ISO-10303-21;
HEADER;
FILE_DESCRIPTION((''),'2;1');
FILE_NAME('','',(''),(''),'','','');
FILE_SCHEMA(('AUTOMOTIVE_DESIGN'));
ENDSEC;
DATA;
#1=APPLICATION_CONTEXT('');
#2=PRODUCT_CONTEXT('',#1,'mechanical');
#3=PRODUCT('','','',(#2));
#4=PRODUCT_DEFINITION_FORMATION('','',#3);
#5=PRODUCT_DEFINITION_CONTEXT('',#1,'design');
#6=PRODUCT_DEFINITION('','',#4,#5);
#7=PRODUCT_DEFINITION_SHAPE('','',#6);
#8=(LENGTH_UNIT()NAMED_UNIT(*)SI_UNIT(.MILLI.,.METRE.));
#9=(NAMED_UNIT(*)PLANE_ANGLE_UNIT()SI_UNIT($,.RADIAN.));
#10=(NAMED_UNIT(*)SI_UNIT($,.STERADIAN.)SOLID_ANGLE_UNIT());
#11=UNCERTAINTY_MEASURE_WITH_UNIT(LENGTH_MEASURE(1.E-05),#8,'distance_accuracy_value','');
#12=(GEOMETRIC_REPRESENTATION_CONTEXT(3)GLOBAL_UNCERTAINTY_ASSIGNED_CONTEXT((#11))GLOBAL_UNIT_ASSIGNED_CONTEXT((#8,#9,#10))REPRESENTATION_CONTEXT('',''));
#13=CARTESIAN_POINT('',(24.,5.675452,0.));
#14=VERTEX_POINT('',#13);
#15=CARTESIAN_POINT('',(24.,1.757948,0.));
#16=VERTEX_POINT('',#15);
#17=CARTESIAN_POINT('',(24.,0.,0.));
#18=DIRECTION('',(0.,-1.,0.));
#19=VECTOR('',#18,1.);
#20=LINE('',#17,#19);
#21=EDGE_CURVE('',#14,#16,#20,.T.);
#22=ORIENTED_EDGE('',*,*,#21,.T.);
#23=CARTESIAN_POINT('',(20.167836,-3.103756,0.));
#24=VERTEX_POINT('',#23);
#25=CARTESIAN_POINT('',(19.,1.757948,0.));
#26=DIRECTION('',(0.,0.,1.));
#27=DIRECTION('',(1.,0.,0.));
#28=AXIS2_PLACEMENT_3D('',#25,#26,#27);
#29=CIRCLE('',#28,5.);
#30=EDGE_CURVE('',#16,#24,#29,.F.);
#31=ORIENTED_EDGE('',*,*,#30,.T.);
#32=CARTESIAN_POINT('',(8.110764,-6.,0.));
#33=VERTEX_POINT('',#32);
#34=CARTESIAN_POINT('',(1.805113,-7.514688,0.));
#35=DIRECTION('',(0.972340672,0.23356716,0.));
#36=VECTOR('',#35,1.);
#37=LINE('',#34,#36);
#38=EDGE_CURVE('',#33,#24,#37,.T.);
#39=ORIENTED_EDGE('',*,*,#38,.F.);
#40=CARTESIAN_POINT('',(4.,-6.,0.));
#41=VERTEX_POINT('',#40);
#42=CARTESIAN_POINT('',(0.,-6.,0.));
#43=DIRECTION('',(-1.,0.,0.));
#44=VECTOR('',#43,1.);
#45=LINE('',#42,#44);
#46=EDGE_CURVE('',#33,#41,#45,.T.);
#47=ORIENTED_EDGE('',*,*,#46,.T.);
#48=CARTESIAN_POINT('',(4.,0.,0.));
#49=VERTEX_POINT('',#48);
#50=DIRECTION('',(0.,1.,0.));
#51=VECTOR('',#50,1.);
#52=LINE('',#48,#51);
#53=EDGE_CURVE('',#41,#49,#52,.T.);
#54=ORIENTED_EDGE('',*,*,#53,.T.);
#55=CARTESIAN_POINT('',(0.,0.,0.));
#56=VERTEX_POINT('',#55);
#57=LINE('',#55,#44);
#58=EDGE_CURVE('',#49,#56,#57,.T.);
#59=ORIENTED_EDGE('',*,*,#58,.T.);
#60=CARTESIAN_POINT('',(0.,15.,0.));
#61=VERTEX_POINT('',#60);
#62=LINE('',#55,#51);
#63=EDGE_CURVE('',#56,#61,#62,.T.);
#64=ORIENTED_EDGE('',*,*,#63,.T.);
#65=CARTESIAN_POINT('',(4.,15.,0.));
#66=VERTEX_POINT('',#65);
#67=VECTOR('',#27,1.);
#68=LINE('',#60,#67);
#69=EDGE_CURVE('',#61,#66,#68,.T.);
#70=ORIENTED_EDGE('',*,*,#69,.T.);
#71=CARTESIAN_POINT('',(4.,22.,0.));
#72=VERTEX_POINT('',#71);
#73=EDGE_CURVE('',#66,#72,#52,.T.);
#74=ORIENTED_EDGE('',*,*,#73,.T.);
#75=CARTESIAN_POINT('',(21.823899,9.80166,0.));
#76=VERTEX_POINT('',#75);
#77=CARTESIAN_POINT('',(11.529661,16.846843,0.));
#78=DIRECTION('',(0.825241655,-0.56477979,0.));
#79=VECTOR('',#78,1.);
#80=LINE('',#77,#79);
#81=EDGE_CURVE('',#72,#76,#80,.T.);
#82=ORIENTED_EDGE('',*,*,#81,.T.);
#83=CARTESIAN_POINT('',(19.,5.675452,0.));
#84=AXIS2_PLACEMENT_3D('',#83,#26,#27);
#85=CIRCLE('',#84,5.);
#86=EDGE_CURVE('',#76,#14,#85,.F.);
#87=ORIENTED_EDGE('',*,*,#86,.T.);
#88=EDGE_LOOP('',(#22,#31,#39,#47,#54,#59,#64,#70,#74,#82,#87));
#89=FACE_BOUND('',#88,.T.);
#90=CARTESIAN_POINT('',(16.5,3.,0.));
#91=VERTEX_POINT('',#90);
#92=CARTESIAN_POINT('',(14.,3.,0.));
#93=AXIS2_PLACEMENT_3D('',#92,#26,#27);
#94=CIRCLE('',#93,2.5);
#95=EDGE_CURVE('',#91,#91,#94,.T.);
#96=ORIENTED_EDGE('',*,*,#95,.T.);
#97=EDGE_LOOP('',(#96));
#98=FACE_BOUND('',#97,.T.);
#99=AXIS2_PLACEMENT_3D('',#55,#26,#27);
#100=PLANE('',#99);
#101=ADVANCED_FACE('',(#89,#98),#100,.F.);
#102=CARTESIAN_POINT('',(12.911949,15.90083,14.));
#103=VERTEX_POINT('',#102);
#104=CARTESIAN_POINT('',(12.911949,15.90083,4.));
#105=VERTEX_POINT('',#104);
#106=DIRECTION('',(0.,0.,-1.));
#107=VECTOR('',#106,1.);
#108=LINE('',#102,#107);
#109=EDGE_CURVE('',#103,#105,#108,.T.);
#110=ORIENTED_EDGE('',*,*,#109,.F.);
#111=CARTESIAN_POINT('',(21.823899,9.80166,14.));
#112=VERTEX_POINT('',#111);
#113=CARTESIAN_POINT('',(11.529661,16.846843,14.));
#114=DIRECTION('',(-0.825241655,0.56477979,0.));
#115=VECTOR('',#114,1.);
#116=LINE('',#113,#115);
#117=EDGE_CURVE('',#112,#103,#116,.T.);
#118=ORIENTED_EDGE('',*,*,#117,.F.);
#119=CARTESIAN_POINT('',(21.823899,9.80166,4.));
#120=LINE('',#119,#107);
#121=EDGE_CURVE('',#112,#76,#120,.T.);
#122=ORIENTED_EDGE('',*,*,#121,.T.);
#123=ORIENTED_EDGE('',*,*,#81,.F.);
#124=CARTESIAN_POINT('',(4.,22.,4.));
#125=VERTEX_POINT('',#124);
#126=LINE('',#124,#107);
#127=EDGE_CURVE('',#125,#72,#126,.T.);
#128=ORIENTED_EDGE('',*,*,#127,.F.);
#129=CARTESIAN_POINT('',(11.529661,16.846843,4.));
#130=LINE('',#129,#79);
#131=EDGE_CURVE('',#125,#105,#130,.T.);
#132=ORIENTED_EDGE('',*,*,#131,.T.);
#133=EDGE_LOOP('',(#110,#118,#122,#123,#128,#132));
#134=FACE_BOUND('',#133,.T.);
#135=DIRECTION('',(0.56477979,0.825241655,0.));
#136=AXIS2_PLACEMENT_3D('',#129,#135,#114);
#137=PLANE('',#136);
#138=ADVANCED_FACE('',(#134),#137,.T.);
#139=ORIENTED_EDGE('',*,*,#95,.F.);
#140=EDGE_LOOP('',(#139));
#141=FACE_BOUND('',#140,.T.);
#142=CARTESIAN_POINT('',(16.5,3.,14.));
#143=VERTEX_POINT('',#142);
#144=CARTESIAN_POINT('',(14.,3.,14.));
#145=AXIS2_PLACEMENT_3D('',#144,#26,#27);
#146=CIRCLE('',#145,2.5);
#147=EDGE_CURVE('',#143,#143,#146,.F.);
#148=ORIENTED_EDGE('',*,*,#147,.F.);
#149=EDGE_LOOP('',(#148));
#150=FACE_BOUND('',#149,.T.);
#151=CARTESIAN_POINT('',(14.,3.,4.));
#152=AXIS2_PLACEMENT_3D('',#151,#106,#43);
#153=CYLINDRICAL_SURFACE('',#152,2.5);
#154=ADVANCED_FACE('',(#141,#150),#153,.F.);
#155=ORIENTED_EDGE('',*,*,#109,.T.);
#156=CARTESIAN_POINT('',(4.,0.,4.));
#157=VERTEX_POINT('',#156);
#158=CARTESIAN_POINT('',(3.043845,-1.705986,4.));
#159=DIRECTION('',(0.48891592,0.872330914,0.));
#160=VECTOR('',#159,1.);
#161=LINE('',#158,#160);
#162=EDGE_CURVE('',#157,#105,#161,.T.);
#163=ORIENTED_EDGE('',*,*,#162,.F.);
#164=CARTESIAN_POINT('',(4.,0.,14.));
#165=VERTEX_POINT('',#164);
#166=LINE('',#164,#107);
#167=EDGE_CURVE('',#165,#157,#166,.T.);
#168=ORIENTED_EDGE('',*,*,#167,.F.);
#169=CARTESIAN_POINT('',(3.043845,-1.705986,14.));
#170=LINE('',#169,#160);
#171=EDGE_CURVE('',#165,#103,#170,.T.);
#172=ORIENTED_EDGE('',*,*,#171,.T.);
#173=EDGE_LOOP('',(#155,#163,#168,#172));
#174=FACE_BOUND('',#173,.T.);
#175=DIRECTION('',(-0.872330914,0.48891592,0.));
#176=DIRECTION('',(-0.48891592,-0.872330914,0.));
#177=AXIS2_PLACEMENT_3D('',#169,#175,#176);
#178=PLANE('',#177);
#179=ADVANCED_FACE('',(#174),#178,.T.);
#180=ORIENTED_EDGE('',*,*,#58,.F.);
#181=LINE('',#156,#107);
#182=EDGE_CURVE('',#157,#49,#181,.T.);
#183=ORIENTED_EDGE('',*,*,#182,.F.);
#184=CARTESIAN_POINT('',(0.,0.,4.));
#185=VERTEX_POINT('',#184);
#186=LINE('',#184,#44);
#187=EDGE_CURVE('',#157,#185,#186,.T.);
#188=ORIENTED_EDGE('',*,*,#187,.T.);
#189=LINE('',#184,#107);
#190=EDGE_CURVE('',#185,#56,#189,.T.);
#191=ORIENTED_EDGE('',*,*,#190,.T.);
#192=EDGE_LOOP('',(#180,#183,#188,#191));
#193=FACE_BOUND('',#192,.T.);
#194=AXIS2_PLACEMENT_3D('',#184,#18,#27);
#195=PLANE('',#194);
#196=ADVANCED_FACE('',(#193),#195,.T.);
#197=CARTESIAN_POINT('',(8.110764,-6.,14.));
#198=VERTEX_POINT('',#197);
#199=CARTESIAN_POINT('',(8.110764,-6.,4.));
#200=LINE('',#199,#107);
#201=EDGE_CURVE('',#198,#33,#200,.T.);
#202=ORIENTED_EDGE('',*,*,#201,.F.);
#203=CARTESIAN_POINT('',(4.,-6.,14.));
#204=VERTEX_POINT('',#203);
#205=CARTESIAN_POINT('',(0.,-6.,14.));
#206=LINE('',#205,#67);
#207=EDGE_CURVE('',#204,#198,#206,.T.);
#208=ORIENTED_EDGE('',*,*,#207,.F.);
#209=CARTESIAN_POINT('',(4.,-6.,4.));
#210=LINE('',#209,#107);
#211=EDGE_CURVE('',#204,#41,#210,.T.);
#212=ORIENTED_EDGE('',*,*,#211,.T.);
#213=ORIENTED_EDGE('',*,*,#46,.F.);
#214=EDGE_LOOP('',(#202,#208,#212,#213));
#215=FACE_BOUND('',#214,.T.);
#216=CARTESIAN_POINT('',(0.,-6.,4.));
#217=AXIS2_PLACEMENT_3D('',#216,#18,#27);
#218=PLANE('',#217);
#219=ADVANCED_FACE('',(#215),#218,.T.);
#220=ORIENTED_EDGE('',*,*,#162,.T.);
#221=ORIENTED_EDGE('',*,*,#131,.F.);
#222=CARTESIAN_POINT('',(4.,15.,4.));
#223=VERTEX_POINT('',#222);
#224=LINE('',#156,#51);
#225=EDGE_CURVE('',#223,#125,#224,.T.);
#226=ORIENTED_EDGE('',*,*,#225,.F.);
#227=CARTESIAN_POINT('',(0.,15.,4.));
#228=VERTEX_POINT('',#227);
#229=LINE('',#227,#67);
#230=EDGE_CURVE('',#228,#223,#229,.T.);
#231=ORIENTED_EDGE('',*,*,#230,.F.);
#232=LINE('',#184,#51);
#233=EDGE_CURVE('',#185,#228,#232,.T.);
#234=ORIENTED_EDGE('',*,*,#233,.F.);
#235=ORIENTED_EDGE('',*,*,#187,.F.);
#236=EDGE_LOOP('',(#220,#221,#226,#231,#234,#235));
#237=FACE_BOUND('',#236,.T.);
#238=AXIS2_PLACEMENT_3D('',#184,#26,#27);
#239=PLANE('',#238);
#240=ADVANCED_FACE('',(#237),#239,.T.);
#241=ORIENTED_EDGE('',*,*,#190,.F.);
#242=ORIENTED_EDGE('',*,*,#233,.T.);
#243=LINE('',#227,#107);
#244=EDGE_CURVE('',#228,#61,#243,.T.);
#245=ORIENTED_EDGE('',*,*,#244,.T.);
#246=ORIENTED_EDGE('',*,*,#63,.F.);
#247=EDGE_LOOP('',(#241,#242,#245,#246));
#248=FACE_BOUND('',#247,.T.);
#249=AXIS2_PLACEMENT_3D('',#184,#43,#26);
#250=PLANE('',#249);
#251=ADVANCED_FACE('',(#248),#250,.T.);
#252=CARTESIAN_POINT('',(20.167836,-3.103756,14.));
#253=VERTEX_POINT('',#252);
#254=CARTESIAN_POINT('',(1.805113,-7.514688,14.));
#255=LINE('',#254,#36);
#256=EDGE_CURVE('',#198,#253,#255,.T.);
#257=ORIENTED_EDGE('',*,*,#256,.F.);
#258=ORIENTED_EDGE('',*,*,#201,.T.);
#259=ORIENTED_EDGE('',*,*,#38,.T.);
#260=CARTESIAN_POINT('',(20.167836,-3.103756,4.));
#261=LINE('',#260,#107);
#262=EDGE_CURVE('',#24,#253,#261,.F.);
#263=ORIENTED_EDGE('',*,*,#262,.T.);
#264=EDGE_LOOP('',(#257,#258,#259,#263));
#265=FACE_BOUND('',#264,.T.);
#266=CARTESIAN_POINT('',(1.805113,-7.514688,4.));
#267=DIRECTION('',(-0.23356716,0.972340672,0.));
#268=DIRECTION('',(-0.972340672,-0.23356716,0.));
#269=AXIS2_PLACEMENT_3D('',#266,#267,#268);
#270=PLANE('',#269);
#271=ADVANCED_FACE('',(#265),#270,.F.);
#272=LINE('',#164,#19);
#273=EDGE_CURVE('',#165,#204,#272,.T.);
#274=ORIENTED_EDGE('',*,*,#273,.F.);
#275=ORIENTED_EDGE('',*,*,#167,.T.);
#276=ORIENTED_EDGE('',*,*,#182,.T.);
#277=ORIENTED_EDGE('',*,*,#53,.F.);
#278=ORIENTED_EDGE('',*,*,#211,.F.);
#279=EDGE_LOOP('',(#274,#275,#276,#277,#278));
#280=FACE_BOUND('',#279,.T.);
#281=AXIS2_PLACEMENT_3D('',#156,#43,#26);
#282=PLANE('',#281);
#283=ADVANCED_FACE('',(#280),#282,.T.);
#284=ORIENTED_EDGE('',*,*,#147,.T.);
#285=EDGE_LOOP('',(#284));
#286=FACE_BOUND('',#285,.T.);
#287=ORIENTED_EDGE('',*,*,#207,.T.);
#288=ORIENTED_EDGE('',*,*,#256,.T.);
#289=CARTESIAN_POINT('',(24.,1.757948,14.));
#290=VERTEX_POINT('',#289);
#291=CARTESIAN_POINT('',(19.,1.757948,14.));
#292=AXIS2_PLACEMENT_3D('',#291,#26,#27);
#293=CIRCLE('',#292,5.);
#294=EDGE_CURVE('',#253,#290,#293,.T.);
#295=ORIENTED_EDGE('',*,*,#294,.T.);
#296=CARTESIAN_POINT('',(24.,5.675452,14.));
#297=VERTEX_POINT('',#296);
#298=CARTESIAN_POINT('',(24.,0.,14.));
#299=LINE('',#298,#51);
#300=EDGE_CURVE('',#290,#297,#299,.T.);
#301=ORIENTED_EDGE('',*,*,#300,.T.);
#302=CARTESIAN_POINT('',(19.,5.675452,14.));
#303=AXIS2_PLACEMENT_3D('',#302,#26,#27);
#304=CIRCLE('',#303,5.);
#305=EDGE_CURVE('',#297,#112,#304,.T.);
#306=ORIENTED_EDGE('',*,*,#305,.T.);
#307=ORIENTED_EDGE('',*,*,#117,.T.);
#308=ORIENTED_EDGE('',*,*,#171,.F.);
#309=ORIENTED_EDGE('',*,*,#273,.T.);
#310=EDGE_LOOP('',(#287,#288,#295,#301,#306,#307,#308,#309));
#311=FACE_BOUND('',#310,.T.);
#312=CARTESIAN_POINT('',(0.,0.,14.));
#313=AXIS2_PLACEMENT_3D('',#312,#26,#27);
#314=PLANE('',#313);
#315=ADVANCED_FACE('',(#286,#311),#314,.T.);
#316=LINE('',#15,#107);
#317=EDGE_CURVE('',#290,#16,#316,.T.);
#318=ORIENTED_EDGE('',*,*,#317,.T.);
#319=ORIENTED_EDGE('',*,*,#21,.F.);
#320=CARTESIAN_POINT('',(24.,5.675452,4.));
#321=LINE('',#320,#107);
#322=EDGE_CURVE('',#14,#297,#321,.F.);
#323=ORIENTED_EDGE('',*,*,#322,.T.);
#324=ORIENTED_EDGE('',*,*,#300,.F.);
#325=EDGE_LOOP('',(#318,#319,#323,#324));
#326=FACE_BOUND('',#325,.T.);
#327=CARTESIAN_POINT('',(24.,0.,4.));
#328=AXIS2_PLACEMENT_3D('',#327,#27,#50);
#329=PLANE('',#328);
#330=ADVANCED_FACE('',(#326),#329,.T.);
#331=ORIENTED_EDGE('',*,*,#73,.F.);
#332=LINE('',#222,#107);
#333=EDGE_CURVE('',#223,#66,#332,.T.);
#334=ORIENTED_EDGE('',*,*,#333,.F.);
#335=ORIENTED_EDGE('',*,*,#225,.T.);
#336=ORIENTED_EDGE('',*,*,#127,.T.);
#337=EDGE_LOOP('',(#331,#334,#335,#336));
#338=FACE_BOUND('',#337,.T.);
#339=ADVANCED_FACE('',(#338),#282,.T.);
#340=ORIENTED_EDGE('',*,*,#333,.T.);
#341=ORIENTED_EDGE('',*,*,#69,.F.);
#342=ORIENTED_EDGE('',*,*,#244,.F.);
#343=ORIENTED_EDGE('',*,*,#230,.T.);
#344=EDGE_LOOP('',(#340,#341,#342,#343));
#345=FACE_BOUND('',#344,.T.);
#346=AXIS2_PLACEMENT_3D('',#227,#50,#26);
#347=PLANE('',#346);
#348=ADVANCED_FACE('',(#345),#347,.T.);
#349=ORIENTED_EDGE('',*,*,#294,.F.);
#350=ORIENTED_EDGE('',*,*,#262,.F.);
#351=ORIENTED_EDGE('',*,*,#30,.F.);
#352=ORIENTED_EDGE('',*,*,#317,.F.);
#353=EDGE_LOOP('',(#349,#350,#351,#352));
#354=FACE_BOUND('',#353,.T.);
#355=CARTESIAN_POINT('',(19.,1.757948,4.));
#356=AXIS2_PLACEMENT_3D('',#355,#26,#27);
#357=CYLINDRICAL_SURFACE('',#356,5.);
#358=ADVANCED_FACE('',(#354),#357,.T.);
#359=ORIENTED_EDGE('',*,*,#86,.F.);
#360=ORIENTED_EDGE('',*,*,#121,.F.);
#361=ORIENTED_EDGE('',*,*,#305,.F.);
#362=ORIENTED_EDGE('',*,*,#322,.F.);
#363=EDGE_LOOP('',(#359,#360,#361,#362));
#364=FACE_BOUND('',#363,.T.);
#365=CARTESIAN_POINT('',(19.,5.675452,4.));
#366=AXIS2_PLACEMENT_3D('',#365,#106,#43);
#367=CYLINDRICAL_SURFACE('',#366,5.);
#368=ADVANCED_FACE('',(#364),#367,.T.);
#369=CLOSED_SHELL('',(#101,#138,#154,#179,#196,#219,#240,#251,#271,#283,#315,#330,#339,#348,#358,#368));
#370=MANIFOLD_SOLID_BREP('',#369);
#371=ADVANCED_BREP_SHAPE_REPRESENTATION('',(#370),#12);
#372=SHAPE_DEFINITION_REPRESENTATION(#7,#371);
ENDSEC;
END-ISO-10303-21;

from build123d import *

# Parameters (mm, degrees)
SKETCH_1_R      = 2.5
EXTRUDE_1_DEPTH = 4
FILLET_1_R      = 5
SKETCH_2_R      = 2.5
EXTRUDE_2_DEPTH = 10


with BuildPart() as part:
    # ｽｹｯﾁ1 → ﾎﾞｽ - 押し出し1 (new body)
    with BuildSketch(Plane.XY):
        Polygon((0, 15), (0, 0), (4, 0), (4, -6), (8.110763801, -6), (24, -2.18322685), (24, 8.312378031), (4, 22), (4, 15), align=None)
        with Locations((14, 3)):
            Circle(SKETCH_1_R, mode=Mode.SUBTRACT)
    extrude(amount=EXTRUDE_1_DEPTH)

    # ﾌｨﾚｯﾄ1
    fillet_1_edges = [part.edges().sort_by_distance(p)[0] for p in [
        (24, -2.18322685, 2),
        (24, 8.312378031, 2),
    ]]
    fillet(fillet_1_edges, radius=FILLET_1_R)

    # ｽｹｯﾁ2 → ﾎﾞｽ - 押し出し2 (add)
    with BuildSketch(Plane.XY.offset(4)):
        with BuildLine():
            Line((4, 0), (4, -6))
            Line((4, -6), (8.110763801, -6))
            Line((8.110763801, -6), (20.167835798, -3.103755769))
            ThreePointArc((20.167835798, -3.103755769), (22.926778514, -1.337276232), (24, 1.757947589))
            Line((24, 1.757947589), (24, 5.675452184))
            ThreePointArc((24, 5.675452184), (23.422640317, 8.007887097), (21.823898951, 9.801660457))
            Line((21.823898951, 9.801660457), (12.911949475, 15.900830229))
            Line((12.911949475, 15.900830229), (4, 0))
        make_face()
        with Locations((14, 3)):
            Circle(SKETCH_2_R, mode=Mode.SUBTRACT)
    extrude(amount=EXTRUDE_2_DEPTH)


solid = part.part
